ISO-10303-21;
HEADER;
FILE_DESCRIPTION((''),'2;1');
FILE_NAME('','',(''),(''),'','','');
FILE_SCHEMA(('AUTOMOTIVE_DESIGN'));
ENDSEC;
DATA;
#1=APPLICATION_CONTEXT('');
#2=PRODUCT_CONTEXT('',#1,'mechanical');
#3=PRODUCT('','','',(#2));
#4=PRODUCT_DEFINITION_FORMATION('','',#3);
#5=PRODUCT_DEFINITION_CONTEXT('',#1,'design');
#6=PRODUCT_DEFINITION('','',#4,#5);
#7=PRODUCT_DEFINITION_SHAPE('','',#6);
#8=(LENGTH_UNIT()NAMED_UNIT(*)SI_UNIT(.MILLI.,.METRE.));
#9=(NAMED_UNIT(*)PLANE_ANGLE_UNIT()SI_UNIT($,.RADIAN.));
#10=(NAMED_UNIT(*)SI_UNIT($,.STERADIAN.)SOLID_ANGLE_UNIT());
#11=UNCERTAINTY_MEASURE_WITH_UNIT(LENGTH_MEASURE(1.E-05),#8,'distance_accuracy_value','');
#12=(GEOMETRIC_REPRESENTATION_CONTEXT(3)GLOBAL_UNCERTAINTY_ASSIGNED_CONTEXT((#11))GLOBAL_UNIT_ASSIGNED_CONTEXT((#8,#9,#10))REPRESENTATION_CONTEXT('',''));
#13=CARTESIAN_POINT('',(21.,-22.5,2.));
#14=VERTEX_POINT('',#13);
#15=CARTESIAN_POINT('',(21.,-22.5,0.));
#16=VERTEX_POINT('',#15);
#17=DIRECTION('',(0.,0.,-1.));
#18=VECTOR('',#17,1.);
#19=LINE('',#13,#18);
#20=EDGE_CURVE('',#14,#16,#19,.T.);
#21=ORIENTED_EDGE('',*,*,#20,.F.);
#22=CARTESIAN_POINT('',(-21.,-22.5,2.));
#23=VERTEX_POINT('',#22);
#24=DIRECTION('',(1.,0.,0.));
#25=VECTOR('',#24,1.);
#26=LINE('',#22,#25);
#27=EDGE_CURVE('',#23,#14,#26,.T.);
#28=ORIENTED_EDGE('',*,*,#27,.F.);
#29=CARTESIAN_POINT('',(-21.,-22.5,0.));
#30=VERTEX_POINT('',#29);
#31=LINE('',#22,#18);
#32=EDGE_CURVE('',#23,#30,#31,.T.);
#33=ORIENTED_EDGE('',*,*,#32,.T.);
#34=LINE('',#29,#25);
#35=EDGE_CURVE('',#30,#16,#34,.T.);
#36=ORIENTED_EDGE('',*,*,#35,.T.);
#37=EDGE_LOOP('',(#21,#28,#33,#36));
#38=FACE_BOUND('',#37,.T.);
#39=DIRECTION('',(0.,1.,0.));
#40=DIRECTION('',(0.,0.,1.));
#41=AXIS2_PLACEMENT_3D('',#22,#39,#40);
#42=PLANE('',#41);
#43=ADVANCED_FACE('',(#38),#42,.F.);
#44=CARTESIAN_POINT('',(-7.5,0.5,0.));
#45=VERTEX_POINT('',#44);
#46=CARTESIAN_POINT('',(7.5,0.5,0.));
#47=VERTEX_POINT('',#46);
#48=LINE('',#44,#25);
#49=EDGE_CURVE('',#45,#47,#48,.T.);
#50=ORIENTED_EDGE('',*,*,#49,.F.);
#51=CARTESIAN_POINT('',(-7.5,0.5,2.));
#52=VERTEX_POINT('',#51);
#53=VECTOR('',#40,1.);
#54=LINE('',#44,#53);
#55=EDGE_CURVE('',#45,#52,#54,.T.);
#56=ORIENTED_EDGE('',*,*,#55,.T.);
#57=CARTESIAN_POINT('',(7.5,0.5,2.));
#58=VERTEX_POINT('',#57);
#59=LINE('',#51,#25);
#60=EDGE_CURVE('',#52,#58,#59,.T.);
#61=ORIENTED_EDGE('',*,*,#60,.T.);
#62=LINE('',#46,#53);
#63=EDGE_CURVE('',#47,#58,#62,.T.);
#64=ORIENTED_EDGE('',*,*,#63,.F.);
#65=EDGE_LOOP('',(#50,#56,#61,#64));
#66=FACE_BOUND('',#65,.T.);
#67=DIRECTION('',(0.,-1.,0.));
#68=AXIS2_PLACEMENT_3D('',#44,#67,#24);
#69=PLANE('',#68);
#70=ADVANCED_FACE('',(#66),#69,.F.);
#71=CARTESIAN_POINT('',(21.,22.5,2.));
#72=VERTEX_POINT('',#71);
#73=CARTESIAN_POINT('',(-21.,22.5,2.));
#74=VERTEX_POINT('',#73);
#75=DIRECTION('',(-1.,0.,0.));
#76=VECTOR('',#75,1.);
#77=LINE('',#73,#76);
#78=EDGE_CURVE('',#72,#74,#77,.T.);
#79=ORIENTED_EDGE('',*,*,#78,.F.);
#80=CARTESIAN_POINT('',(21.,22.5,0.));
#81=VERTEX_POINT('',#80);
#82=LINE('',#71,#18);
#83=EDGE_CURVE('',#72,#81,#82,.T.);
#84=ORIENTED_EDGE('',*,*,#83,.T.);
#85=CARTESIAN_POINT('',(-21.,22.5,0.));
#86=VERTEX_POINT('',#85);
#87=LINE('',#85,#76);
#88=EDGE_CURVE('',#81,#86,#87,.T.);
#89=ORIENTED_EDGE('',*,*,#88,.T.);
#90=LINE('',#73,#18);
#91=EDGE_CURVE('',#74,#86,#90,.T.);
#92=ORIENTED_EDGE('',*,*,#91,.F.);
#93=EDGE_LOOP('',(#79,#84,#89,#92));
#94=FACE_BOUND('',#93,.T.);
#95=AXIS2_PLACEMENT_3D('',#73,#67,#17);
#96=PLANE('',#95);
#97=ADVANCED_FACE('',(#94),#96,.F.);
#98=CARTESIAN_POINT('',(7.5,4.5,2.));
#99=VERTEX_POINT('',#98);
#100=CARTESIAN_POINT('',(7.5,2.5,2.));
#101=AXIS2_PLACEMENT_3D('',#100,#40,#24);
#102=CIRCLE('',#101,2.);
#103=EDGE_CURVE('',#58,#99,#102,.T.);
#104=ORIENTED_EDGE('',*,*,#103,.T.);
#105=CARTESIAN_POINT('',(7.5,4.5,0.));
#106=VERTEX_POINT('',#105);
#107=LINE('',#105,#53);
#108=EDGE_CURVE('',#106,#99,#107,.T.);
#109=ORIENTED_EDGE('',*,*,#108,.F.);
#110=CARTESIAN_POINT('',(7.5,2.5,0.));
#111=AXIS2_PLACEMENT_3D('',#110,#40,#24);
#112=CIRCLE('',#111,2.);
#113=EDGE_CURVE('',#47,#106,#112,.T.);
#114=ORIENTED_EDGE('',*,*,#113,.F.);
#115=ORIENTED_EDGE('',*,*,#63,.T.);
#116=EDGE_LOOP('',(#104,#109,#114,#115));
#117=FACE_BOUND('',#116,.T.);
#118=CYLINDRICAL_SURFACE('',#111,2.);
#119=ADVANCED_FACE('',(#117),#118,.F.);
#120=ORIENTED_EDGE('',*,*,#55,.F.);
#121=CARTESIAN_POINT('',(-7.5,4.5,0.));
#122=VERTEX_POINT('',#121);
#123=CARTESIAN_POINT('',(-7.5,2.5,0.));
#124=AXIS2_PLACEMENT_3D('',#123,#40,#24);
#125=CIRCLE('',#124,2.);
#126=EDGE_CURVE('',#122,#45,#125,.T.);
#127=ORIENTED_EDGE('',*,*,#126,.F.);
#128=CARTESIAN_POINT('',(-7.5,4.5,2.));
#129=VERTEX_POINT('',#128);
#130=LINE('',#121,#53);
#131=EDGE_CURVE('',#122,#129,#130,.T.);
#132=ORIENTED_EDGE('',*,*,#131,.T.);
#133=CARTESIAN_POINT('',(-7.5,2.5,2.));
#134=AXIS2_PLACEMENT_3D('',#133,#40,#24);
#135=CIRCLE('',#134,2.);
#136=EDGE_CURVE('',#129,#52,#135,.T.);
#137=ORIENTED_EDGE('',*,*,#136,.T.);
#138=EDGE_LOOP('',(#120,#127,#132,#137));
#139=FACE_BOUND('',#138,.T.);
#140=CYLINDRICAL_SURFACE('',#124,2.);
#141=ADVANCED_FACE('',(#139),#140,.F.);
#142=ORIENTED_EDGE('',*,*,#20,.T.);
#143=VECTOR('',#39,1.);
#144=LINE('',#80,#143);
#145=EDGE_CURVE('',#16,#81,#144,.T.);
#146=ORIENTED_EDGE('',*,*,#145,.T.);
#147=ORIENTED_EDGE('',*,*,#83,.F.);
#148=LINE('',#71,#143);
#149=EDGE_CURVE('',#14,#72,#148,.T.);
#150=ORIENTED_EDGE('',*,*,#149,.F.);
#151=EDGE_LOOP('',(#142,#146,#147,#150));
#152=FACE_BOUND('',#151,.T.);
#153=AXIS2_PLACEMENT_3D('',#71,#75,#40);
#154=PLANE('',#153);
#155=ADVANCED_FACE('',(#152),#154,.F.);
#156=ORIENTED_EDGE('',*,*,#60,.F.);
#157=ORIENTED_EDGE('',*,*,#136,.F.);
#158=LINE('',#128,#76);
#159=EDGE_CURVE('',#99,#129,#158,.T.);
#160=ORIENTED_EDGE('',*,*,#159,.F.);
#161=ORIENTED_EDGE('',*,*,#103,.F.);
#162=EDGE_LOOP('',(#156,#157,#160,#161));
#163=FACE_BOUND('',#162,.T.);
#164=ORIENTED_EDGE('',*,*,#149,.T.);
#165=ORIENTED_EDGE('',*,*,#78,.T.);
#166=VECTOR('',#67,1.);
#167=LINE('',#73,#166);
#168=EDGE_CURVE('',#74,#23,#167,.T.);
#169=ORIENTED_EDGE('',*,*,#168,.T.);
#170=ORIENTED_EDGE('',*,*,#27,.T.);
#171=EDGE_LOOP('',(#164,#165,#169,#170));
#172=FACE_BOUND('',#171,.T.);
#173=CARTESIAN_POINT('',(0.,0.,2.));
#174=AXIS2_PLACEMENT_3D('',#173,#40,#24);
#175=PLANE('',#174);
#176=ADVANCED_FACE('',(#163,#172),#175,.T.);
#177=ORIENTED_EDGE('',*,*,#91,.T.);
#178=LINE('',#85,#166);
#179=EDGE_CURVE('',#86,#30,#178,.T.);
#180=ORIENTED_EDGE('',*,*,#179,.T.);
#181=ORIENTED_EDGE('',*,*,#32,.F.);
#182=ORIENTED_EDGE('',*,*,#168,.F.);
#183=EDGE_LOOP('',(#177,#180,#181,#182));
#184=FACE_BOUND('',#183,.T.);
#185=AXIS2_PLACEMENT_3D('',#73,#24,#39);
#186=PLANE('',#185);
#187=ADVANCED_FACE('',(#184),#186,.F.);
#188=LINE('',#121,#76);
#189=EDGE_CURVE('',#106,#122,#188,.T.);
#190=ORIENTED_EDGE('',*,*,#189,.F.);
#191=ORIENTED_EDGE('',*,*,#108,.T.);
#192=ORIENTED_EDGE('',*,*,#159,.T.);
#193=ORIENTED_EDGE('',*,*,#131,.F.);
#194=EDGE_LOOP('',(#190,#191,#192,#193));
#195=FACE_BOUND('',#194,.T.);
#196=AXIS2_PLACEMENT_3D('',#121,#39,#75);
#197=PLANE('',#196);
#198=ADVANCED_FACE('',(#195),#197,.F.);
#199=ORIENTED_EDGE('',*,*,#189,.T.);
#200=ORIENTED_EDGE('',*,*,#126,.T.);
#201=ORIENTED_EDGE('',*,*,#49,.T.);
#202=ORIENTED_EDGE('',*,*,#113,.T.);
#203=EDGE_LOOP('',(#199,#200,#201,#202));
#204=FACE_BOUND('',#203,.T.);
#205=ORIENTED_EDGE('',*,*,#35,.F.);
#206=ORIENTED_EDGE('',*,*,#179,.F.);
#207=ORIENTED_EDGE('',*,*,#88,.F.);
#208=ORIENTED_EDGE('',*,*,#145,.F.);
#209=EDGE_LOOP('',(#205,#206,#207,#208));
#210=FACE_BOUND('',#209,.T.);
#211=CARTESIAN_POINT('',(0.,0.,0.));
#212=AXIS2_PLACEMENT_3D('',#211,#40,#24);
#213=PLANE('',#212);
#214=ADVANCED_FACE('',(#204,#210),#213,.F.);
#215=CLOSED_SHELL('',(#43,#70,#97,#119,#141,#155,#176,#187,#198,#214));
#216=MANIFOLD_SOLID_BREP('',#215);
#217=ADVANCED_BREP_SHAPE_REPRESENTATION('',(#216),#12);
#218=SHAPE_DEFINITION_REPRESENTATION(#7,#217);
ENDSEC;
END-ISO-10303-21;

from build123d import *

# Parameters (mm, degrees)
SKETCH1_W           = 42
SKETCH1_H           = 45
BOSS_EXTRUDE1_DEPTH = 2
CUT_EXTRUDE1_DEPTH  = 2


with BuildPart() as part:
    # Sketch1 → Boss-Extrude1 (new body)
    with BuildSketch(Plane.XY):
        Rectangle(SKETCH1_W, SKETCH1_H)
    extrude(amount=BOSS_EXTRUDE1_DEPTH)

    # Sketch2 → Cut-Extrude1 (cut)
    with BuildSketch(Plane.XY.offset(2)):
        with BuildLine():
            Line((-7.5, 4.5), (7.5, 4.5))
            ThreePointArc((7.5, 4.5), (9.5, 2.5), (7.5, 0.5))
            Line((7.5, 0.5), (-7.5, 0.5))
            ThreePointArc((-7.5, 0.5), (-9.5, 2.5), (-7.5, 4.5))
        make_face()
    extrude(amount=-CUT_EXTRUDE1_DEPTH, mode=Mode.SUBTRACT)


solid = part.part
